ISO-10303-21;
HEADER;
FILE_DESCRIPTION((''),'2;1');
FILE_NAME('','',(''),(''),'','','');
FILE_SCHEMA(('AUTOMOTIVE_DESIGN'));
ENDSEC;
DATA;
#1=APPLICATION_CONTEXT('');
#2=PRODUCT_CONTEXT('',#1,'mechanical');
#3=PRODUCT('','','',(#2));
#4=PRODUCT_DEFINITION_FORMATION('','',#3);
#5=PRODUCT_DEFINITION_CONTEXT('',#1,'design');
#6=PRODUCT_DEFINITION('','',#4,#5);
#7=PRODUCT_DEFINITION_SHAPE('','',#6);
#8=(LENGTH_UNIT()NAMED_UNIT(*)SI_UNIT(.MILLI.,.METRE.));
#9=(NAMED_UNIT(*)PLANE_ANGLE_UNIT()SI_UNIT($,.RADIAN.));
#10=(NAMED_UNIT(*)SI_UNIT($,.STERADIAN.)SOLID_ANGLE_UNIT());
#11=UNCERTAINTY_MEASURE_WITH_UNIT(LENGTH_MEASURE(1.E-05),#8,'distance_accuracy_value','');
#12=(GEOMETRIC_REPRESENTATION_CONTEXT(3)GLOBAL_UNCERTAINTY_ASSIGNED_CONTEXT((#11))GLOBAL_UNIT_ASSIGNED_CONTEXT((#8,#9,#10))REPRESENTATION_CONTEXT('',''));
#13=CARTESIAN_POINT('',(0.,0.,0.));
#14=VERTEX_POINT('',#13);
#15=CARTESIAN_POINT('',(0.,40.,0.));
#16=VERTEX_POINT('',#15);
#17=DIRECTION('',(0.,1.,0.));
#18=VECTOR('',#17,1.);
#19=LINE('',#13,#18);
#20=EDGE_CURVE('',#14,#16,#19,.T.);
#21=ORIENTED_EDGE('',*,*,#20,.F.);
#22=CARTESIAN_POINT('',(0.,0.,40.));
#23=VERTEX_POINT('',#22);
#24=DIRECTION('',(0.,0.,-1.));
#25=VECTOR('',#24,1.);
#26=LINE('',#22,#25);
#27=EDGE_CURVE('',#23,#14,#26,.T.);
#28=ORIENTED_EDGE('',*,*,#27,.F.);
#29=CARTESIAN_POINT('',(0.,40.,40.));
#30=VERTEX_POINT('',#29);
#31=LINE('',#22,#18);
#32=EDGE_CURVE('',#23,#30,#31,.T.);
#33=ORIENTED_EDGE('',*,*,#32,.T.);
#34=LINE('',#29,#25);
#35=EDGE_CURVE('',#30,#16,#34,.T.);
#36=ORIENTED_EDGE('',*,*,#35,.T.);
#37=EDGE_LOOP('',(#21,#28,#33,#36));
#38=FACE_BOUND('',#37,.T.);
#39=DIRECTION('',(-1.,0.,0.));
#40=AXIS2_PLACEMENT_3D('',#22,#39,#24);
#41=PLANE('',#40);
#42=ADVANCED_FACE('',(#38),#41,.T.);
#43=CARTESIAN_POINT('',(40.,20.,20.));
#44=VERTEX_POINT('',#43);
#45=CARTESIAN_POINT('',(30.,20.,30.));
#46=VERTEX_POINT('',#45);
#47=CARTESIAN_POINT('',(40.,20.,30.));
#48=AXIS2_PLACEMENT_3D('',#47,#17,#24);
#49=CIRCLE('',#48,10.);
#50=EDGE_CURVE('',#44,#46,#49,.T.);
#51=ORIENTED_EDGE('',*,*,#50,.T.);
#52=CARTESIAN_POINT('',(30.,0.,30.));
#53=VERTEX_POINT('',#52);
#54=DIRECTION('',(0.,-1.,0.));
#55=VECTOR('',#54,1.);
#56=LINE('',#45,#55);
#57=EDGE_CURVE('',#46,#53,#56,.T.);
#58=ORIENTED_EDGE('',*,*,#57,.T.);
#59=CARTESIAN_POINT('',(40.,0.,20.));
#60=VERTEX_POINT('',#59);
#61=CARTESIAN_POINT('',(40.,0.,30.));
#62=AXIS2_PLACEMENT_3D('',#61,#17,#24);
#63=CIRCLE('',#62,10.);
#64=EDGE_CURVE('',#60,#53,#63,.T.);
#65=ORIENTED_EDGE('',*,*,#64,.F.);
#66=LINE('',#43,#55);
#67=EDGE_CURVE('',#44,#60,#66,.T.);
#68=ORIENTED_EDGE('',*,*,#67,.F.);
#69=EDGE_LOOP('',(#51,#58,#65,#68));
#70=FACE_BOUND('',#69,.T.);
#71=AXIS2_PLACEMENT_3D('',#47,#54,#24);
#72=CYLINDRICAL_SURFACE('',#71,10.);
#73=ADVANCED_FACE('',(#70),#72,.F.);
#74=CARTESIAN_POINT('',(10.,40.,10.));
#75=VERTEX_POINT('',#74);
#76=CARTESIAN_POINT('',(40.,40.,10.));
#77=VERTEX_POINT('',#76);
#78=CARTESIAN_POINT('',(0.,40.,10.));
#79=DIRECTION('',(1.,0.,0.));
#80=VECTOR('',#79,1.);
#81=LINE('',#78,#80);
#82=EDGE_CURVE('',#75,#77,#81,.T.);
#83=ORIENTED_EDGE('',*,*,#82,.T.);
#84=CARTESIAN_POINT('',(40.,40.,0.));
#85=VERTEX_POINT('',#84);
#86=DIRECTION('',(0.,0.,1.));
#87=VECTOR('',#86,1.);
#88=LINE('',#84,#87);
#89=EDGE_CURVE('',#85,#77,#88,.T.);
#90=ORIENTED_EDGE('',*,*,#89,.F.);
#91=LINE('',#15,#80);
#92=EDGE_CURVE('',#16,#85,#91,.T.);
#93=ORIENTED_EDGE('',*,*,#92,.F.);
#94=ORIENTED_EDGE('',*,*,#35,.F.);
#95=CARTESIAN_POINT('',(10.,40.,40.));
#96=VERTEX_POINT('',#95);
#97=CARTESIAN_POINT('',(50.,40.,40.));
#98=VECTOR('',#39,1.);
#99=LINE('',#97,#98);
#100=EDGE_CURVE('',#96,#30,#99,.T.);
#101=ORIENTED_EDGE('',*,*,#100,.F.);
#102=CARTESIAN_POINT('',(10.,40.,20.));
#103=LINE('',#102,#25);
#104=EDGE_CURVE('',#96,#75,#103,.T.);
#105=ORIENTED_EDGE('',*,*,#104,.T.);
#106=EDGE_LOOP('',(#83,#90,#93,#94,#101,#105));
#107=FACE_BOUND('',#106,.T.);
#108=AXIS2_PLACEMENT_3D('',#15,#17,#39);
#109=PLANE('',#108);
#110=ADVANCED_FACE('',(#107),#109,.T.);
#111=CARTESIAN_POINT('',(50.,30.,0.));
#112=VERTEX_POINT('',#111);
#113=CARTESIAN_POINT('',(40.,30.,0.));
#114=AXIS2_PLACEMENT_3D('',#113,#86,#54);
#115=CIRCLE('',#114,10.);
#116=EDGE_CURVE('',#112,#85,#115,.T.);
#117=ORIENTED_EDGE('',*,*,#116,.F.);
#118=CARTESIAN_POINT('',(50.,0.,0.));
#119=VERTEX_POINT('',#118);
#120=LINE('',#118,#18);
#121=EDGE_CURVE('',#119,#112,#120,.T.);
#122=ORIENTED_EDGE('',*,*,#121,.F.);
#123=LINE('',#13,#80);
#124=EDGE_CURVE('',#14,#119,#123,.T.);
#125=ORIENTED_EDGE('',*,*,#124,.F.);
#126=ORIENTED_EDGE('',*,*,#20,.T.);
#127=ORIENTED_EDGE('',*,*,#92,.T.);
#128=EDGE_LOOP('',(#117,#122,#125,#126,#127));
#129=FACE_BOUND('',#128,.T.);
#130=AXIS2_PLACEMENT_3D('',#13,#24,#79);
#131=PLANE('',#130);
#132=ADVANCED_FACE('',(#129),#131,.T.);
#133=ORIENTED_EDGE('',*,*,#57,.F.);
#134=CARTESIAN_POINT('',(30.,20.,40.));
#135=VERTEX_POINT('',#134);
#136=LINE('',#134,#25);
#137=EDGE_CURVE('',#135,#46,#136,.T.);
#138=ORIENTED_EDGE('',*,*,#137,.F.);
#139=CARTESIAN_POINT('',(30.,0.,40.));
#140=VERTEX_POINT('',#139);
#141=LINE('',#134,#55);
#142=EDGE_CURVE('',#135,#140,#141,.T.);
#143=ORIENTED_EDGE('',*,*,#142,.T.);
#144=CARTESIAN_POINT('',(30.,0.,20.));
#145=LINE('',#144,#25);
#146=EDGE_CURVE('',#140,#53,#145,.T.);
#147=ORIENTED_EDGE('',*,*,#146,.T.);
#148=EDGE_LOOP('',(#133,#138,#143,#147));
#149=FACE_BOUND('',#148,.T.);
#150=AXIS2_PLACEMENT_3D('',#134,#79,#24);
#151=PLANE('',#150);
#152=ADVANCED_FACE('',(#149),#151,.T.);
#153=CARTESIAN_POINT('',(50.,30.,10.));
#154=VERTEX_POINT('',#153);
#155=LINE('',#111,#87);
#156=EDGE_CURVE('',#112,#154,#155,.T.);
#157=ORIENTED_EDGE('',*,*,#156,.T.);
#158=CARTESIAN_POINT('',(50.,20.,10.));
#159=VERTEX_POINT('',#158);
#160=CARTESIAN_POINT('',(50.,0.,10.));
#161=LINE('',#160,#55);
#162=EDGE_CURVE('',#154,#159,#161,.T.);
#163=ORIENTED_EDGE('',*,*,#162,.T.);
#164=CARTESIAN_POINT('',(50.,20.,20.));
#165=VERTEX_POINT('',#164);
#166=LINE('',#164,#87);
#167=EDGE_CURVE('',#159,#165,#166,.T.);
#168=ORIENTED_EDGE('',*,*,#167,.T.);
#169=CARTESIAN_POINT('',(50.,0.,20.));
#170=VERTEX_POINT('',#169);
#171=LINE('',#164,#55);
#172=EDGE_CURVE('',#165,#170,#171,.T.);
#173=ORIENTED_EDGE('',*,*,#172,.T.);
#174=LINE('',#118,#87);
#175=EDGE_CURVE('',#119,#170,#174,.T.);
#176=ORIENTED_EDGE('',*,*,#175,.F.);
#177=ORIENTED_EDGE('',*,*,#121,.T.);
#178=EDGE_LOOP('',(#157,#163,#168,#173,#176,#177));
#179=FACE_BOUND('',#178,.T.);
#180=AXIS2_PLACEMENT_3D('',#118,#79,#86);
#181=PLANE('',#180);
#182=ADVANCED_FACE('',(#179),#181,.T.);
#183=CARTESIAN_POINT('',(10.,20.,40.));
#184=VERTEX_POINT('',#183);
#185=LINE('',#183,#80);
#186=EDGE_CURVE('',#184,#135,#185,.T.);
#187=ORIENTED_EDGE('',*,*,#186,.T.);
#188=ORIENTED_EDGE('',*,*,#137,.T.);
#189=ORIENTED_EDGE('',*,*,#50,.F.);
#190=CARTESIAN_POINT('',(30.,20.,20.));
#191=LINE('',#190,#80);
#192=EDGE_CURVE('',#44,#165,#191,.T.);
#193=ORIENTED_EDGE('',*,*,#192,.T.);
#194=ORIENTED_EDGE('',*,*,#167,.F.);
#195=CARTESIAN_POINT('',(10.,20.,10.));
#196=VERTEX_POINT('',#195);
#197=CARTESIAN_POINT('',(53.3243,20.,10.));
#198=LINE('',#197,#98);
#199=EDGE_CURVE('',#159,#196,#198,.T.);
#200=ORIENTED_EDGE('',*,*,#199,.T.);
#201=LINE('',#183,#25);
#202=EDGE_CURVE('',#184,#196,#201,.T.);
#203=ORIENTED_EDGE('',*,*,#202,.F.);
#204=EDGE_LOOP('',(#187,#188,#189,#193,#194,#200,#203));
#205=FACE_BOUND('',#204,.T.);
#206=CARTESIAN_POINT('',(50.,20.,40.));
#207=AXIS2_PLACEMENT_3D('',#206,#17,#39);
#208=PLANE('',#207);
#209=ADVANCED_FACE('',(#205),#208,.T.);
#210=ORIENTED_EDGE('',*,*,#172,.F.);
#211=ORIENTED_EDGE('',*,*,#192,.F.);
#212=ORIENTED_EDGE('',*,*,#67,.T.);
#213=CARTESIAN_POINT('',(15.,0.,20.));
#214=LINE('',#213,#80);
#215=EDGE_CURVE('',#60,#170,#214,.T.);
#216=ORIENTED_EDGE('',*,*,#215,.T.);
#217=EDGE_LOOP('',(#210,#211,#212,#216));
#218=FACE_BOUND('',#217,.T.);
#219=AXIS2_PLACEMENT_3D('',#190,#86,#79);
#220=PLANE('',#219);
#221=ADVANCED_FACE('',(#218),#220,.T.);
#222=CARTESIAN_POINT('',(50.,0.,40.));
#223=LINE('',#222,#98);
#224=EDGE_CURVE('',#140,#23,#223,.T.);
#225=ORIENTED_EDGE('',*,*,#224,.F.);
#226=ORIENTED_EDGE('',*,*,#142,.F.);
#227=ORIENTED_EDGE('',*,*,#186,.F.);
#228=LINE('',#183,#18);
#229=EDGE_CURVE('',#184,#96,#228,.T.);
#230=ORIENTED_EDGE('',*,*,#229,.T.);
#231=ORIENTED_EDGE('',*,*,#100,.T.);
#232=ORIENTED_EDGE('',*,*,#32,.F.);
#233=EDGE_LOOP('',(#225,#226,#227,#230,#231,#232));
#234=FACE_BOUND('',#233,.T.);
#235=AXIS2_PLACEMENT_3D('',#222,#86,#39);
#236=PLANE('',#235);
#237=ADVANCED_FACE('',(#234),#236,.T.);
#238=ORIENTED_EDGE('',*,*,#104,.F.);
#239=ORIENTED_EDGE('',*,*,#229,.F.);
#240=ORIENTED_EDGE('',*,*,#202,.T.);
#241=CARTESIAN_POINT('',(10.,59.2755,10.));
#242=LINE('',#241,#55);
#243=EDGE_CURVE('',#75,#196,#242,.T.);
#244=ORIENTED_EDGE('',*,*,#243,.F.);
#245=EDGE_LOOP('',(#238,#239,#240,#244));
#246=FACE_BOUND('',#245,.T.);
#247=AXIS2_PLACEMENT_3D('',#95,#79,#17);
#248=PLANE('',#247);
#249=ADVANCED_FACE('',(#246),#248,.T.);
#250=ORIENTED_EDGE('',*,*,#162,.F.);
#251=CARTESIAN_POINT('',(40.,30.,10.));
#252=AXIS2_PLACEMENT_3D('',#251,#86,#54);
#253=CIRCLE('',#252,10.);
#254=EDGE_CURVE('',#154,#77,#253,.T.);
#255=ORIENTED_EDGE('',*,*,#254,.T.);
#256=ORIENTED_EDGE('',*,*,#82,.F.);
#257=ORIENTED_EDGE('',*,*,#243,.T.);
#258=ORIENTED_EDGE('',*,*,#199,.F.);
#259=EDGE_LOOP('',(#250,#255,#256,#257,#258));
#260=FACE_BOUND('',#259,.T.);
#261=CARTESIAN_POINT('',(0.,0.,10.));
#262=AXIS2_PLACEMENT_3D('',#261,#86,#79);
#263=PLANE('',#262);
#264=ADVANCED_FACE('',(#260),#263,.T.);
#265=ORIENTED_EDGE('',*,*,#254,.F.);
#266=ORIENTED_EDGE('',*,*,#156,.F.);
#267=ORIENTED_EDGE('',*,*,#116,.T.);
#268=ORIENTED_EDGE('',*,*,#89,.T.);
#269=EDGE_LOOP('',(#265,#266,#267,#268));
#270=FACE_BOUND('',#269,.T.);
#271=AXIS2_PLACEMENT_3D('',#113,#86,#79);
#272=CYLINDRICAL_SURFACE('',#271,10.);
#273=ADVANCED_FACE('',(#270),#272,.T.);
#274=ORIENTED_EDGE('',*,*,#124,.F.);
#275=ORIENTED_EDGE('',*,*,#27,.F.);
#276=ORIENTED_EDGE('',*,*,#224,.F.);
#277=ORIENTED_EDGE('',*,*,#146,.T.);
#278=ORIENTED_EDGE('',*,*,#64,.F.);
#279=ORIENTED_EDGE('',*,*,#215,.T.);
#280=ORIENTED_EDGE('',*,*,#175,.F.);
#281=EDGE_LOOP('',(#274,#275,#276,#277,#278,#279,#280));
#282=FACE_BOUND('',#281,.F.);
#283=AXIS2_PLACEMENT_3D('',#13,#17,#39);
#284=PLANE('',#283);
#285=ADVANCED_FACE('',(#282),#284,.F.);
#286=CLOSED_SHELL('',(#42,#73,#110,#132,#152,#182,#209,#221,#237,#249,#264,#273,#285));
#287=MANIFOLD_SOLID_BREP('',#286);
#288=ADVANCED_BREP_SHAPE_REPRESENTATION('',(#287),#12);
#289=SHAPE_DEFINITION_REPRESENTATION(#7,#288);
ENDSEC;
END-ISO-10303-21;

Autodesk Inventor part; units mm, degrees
ref_plane "YZ Plane" through (0, 0, 0) normal (1, 0, 0) x (0, 1, 0)
ref_plane "XZ Plane" through (0, 0, 0) normal (0, 1, 0) x (-1, 0, 0)
ref_plane "XY Plane" through (0, 0, 0) normal (0, 0, 1) x (1, 0, 0)
sketch "草圖1" plane through (0, 0, 0) normal (0, 1, 0) x (-1, 0, 0)
  line L0 (0, 0) -> (-50, 0)
  line L1 (-50, 0) -> (-50, 40)
  line L2 (-50, 40) -> (0, 40)
  line L3 (0, 40) -> (0, 0)
  dimension "d0" = 50
  dimension "d2" = 40
extrude "擠出1" add sketch "草圖1" along normal blind 40
sketch "草圖2" plane through (0, 0, 40) normal (0, 0, 1) x (1, 0, 0)
  line L0 (50, 40) -> (50, 0) projected
  line L1 (50, 0) -> (0, 0) projected
  line L2 (0, 0) -> (0, 40) projected
  line L3 (0, 40) -> (50, 40) projected
  line L4 (10, 59.2755) -> (53.3243, 59.2755)
  line L5 (53.3243, 59.2755) -> (53.3243, 20)
  line L6 (53.3243, 20) -> (10, 20)
  line L7 (10, 20) -> (10, 59.2755)
  dimension "d5" = 10
  dimension "d6" = 20
extrude "擠出2" cut sketch "草圖2" against normal blind 30 contours L3 L7 L4 L5 L6 L0 | L0 L6 L7 L3
sketch "草圖3" plane through (10, 20, 40) normal (0, 1, 0) x (1, 0, 0)
  line L0 (40, 30) -> (0, 30) projected
  line L1 (0, 30) -> (0, 0) projected
  line L2 (40, 0) -> (0, 0) projected
  line L3 (40, 30) -> (40, 0) projected
  line L4 (40, 40) -> (40, 30) projected
  line L5 (-10, 40) -> (40, 40) projected
  line L6 (-10, 0) -> (-10, 40) projected
  line L7 (0, 0) -> (-10, 0) projected
  line L8 (-10, 0) -> (40, 0) projected
  line L9 (40, 0) -> (20, 0)
  line L10 (20, 0) -> (20, 20)
  line L11 (20, 20) -> (40, 20)
  line L12 (40, 20) -> (40, 0)
  point P0 (20, 0)
  dimension "d9" = 20
  dimension "d10" = 20
extrude "擠出3" cut sketch "草圖3" against normal through all contours L3 L2 L10 L11
fillet "圓角1" radius 10 1 edges at (30, 10, 20)
fillet "圓角2" radius 10 1 edges at (50, 40, 5)
properties part number "36" material "鋼、碳鋼"
